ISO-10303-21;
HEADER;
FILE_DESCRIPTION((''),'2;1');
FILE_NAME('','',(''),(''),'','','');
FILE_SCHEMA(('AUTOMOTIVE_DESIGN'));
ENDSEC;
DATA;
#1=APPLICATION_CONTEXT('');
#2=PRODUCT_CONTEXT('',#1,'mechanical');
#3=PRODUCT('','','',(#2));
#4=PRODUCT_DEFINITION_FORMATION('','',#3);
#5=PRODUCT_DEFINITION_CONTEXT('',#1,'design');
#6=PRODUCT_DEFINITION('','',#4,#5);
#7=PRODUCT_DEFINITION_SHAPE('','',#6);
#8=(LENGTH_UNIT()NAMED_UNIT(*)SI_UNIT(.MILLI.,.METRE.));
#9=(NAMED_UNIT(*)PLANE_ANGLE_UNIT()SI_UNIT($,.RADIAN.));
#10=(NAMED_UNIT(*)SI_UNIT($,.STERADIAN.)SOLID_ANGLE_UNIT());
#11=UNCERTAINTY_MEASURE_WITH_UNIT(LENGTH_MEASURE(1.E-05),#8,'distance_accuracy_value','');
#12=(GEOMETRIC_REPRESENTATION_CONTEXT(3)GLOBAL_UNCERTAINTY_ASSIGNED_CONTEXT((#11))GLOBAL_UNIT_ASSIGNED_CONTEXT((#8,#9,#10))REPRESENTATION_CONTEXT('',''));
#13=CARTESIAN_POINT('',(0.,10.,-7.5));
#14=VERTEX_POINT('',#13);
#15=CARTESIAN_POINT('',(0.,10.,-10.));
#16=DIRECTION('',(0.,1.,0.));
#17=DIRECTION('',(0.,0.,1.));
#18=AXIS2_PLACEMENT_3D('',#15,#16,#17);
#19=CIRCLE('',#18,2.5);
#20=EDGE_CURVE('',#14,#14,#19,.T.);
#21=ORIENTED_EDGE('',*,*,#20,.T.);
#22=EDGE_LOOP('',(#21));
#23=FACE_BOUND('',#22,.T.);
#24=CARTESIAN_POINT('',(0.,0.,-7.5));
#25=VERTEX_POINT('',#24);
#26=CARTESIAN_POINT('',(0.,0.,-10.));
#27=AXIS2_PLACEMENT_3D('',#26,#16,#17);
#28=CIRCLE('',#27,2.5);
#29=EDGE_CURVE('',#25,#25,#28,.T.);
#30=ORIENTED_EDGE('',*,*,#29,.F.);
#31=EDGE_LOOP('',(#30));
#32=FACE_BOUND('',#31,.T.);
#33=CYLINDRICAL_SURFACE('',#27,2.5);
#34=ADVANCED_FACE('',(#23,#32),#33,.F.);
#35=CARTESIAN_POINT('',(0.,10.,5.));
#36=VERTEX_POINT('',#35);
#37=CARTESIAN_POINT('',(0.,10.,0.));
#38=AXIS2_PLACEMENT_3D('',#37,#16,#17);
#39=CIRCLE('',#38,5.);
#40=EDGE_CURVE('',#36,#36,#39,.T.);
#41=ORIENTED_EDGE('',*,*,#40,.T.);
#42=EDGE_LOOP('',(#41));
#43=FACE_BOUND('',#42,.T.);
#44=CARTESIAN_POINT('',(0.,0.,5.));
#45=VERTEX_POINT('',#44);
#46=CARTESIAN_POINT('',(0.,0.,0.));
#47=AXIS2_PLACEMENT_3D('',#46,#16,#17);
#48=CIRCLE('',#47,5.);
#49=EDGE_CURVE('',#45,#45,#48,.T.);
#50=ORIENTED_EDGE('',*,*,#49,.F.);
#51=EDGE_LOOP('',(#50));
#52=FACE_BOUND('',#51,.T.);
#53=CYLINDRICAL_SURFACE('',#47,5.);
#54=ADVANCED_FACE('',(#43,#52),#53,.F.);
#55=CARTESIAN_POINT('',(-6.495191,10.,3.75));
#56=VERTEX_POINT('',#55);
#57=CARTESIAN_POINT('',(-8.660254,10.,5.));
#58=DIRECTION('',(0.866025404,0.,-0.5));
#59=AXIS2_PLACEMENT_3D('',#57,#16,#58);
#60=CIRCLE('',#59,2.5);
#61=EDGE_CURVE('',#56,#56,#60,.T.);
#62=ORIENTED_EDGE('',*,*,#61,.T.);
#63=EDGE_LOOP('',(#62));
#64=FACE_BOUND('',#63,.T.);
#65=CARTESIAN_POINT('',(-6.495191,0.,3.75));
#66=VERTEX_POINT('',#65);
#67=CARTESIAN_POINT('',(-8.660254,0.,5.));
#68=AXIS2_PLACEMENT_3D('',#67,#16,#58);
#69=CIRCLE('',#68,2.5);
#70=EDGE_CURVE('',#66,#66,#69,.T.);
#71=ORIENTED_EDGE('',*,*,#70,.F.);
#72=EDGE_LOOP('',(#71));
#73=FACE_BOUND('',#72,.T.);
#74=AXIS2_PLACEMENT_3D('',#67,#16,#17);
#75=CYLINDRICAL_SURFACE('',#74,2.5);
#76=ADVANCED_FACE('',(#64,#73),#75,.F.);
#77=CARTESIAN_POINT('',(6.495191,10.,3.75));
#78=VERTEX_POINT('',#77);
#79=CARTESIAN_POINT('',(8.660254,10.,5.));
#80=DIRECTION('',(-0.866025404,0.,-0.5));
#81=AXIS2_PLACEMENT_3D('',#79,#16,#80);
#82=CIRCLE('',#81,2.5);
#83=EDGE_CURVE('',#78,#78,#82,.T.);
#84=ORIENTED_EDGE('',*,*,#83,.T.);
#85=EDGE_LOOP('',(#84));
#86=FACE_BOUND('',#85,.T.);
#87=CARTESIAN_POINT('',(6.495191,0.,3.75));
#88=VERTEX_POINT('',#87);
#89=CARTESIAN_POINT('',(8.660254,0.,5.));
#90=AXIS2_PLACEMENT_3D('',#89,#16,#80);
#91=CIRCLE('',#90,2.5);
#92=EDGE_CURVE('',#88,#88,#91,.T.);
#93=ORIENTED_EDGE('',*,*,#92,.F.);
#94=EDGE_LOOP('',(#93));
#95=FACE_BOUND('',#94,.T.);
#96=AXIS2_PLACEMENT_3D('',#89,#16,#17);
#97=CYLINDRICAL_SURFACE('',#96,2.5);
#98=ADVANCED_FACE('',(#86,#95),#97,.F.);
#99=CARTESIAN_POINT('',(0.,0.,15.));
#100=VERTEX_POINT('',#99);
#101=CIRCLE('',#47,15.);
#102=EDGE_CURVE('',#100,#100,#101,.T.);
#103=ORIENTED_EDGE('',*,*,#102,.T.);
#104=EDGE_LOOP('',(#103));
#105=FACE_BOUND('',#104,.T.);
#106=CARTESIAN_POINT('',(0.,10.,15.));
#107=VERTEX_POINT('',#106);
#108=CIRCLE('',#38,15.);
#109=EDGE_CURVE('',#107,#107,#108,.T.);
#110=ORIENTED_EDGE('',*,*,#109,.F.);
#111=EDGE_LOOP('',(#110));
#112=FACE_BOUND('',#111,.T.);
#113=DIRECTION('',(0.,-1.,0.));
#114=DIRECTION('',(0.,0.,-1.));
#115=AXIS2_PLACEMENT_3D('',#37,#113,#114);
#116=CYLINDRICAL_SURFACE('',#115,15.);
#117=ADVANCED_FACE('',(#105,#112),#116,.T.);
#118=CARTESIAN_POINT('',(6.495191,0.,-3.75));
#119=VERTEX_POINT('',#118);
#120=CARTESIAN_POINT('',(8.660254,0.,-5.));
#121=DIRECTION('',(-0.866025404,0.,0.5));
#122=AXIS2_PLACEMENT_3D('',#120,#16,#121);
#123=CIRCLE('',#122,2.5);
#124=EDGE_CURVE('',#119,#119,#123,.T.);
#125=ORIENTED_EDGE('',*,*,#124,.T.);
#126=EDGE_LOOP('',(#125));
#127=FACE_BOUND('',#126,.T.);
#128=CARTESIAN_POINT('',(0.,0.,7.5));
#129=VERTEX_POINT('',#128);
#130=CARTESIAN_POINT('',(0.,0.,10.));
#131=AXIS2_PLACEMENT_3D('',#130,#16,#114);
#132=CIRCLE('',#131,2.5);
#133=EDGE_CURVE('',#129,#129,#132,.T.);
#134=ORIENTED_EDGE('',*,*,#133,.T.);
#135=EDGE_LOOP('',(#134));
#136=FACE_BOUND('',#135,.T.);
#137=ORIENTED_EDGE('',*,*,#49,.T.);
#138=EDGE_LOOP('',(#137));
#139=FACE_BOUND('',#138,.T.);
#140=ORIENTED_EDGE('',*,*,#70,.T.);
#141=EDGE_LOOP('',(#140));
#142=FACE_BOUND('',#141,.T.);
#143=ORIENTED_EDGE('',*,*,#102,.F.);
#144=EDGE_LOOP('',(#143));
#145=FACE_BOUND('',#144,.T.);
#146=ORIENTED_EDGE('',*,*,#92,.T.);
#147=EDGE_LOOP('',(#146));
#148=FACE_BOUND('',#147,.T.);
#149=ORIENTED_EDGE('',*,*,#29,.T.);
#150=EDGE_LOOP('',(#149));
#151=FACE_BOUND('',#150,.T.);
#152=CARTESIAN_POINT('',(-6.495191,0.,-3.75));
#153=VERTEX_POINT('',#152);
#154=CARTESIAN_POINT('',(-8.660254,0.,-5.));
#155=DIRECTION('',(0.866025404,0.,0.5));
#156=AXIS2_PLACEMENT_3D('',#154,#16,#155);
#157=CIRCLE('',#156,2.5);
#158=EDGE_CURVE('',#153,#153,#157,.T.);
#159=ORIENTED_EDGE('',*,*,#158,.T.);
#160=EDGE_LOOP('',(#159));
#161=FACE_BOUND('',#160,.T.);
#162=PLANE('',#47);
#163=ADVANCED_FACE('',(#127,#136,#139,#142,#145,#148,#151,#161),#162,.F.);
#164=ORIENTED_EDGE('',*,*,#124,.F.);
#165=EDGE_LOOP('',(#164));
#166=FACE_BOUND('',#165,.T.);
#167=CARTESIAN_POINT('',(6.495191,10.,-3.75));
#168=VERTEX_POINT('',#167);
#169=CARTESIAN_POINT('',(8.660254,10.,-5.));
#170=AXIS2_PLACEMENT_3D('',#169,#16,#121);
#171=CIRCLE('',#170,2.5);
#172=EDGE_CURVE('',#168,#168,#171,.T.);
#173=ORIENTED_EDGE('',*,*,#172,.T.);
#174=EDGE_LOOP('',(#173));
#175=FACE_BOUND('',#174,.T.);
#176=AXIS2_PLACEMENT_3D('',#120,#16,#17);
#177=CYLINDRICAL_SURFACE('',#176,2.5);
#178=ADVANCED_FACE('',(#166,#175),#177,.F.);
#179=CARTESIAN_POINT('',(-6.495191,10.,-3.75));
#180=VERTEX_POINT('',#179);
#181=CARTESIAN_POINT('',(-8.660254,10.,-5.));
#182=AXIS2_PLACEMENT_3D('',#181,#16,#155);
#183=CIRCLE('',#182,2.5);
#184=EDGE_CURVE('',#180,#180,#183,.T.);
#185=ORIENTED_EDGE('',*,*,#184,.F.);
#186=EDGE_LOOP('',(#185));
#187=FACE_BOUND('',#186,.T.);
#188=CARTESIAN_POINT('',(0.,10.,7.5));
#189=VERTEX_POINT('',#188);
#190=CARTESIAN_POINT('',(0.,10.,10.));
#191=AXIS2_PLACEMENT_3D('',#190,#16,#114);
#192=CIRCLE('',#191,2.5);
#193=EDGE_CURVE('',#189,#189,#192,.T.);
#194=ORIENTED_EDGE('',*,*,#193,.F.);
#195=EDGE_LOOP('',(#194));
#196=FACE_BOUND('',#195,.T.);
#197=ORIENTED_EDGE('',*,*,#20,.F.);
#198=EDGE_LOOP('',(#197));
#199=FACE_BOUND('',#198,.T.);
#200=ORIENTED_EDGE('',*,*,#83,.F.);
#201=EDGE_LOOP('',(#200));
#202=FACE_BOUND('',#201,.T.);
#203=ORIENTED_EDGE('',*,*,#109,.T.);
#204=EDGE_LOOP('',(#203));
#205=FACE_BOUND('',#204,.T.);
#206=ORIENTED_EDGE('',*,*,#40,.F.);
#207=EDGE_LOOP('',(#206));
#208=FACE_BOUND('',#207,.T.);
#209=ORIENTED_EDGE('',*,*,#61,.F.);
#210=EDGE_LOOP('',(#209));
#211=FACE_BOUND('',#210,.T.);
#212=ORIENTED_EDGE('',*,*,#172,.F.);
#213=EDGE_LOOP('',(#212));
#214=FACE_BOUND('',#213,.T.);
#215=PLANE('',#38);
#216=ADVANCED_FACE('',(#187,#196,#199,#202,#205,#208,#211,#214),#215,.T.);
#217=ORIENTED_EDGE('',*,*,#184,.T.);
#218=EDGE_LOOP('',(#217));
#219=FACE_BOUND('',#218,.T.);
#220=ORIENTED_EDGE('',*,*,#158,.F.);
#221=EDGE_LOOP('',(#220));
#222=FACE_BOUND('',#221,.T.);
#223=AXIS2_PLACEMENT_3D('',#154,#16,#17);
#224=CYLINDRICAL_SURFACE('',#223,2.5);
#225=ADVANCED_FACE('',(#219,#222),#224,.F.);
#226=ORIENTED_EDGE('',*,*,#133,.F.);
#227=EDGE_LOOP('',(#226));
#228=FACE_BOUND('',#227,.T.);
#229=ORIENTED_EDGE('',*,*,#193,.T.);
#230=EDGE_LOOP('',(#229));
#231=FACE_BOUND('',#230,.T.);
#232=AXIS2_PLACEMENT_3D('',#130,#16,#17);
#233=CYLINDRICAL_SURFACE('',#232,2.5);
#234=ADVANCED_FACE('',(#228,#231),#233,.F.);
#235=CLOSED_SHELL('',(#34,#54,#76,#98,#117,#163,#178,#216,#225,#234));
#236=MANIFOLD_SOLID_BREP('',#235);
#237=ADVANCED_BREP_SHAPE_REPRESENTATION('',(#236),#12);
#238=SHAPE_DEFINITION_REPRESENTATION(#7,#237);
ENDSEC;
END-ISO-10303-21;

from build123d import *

# Parameters (mm, degrees)
SKETCH1_R           = 15
BOSS_EXTRUDE1_DEPTH = 10
SKETCH2_R           = 5
CUT_EXTRUDE1_DEPTH  = 24.452078799
SKETCH3_R           = 2.5
CUT_EXTRUDE2_DEPTH  = 24.452078799
CIRPATTERN1_COUNT   = 6


with BuildPart() as part:
    # Sketch1 → Boss-Extrude1 (new body)
    with BuildSketch(Plane(origin=(0, 0, 0), x_dir=(1, 0, 0), z_dir=(0, 1, 0))):
        with Locations(Location((0, 0, 0), (0, 0, 270))):
            Circle(SKETCH1_R)
    extrude(amount=BOSS_EXTRUDE1_DEPTH)

    # Sketch2 → Cut-Extrude1 (cut, through all)
    with BuildSketch(Plane(origin=(0, 10, 0), x_dir=(1, 0, 0), z_dir=(0, 1, 0))):
        with Locations(Location((0, 0, 0), (0, 0, 270))):
            Circle(SKETCH2_R)
    extrude(amount=-CUT_EXTRUDE1_DEPTH, mode=Mode.SUBTRACT)

    # Sketch3 → Cut-Extrude2 (cut, through all)
    with BuildSketch(Plane(origin=(0, 10, 0), x_dir=(1, 0, 0), z_dir=(0, 1, 0))):
        with Locations(Location((0, 10, 0), (0, 0, 270))):
            Circle(SKETCH3_R)
    cut_extrude2 = extrude(amount=-CUT_EXTRUDE2_DEPTH, mode=Mode.SUBTRACT)

    # CirPattern1: Cut-Extrude2 ×6 about axis
    cirpattern1_axis = Axis((0, 0, 0), (0, 1, 0))
    for i in range(1, CIRPATTERN1_COUNT):
        add(cut_extrude2.rotate(cirpattern1_axis, i * 360 / CIRPATTERN1_COUNT), mode=Mode.SUBTRACT)


solid = part.part
